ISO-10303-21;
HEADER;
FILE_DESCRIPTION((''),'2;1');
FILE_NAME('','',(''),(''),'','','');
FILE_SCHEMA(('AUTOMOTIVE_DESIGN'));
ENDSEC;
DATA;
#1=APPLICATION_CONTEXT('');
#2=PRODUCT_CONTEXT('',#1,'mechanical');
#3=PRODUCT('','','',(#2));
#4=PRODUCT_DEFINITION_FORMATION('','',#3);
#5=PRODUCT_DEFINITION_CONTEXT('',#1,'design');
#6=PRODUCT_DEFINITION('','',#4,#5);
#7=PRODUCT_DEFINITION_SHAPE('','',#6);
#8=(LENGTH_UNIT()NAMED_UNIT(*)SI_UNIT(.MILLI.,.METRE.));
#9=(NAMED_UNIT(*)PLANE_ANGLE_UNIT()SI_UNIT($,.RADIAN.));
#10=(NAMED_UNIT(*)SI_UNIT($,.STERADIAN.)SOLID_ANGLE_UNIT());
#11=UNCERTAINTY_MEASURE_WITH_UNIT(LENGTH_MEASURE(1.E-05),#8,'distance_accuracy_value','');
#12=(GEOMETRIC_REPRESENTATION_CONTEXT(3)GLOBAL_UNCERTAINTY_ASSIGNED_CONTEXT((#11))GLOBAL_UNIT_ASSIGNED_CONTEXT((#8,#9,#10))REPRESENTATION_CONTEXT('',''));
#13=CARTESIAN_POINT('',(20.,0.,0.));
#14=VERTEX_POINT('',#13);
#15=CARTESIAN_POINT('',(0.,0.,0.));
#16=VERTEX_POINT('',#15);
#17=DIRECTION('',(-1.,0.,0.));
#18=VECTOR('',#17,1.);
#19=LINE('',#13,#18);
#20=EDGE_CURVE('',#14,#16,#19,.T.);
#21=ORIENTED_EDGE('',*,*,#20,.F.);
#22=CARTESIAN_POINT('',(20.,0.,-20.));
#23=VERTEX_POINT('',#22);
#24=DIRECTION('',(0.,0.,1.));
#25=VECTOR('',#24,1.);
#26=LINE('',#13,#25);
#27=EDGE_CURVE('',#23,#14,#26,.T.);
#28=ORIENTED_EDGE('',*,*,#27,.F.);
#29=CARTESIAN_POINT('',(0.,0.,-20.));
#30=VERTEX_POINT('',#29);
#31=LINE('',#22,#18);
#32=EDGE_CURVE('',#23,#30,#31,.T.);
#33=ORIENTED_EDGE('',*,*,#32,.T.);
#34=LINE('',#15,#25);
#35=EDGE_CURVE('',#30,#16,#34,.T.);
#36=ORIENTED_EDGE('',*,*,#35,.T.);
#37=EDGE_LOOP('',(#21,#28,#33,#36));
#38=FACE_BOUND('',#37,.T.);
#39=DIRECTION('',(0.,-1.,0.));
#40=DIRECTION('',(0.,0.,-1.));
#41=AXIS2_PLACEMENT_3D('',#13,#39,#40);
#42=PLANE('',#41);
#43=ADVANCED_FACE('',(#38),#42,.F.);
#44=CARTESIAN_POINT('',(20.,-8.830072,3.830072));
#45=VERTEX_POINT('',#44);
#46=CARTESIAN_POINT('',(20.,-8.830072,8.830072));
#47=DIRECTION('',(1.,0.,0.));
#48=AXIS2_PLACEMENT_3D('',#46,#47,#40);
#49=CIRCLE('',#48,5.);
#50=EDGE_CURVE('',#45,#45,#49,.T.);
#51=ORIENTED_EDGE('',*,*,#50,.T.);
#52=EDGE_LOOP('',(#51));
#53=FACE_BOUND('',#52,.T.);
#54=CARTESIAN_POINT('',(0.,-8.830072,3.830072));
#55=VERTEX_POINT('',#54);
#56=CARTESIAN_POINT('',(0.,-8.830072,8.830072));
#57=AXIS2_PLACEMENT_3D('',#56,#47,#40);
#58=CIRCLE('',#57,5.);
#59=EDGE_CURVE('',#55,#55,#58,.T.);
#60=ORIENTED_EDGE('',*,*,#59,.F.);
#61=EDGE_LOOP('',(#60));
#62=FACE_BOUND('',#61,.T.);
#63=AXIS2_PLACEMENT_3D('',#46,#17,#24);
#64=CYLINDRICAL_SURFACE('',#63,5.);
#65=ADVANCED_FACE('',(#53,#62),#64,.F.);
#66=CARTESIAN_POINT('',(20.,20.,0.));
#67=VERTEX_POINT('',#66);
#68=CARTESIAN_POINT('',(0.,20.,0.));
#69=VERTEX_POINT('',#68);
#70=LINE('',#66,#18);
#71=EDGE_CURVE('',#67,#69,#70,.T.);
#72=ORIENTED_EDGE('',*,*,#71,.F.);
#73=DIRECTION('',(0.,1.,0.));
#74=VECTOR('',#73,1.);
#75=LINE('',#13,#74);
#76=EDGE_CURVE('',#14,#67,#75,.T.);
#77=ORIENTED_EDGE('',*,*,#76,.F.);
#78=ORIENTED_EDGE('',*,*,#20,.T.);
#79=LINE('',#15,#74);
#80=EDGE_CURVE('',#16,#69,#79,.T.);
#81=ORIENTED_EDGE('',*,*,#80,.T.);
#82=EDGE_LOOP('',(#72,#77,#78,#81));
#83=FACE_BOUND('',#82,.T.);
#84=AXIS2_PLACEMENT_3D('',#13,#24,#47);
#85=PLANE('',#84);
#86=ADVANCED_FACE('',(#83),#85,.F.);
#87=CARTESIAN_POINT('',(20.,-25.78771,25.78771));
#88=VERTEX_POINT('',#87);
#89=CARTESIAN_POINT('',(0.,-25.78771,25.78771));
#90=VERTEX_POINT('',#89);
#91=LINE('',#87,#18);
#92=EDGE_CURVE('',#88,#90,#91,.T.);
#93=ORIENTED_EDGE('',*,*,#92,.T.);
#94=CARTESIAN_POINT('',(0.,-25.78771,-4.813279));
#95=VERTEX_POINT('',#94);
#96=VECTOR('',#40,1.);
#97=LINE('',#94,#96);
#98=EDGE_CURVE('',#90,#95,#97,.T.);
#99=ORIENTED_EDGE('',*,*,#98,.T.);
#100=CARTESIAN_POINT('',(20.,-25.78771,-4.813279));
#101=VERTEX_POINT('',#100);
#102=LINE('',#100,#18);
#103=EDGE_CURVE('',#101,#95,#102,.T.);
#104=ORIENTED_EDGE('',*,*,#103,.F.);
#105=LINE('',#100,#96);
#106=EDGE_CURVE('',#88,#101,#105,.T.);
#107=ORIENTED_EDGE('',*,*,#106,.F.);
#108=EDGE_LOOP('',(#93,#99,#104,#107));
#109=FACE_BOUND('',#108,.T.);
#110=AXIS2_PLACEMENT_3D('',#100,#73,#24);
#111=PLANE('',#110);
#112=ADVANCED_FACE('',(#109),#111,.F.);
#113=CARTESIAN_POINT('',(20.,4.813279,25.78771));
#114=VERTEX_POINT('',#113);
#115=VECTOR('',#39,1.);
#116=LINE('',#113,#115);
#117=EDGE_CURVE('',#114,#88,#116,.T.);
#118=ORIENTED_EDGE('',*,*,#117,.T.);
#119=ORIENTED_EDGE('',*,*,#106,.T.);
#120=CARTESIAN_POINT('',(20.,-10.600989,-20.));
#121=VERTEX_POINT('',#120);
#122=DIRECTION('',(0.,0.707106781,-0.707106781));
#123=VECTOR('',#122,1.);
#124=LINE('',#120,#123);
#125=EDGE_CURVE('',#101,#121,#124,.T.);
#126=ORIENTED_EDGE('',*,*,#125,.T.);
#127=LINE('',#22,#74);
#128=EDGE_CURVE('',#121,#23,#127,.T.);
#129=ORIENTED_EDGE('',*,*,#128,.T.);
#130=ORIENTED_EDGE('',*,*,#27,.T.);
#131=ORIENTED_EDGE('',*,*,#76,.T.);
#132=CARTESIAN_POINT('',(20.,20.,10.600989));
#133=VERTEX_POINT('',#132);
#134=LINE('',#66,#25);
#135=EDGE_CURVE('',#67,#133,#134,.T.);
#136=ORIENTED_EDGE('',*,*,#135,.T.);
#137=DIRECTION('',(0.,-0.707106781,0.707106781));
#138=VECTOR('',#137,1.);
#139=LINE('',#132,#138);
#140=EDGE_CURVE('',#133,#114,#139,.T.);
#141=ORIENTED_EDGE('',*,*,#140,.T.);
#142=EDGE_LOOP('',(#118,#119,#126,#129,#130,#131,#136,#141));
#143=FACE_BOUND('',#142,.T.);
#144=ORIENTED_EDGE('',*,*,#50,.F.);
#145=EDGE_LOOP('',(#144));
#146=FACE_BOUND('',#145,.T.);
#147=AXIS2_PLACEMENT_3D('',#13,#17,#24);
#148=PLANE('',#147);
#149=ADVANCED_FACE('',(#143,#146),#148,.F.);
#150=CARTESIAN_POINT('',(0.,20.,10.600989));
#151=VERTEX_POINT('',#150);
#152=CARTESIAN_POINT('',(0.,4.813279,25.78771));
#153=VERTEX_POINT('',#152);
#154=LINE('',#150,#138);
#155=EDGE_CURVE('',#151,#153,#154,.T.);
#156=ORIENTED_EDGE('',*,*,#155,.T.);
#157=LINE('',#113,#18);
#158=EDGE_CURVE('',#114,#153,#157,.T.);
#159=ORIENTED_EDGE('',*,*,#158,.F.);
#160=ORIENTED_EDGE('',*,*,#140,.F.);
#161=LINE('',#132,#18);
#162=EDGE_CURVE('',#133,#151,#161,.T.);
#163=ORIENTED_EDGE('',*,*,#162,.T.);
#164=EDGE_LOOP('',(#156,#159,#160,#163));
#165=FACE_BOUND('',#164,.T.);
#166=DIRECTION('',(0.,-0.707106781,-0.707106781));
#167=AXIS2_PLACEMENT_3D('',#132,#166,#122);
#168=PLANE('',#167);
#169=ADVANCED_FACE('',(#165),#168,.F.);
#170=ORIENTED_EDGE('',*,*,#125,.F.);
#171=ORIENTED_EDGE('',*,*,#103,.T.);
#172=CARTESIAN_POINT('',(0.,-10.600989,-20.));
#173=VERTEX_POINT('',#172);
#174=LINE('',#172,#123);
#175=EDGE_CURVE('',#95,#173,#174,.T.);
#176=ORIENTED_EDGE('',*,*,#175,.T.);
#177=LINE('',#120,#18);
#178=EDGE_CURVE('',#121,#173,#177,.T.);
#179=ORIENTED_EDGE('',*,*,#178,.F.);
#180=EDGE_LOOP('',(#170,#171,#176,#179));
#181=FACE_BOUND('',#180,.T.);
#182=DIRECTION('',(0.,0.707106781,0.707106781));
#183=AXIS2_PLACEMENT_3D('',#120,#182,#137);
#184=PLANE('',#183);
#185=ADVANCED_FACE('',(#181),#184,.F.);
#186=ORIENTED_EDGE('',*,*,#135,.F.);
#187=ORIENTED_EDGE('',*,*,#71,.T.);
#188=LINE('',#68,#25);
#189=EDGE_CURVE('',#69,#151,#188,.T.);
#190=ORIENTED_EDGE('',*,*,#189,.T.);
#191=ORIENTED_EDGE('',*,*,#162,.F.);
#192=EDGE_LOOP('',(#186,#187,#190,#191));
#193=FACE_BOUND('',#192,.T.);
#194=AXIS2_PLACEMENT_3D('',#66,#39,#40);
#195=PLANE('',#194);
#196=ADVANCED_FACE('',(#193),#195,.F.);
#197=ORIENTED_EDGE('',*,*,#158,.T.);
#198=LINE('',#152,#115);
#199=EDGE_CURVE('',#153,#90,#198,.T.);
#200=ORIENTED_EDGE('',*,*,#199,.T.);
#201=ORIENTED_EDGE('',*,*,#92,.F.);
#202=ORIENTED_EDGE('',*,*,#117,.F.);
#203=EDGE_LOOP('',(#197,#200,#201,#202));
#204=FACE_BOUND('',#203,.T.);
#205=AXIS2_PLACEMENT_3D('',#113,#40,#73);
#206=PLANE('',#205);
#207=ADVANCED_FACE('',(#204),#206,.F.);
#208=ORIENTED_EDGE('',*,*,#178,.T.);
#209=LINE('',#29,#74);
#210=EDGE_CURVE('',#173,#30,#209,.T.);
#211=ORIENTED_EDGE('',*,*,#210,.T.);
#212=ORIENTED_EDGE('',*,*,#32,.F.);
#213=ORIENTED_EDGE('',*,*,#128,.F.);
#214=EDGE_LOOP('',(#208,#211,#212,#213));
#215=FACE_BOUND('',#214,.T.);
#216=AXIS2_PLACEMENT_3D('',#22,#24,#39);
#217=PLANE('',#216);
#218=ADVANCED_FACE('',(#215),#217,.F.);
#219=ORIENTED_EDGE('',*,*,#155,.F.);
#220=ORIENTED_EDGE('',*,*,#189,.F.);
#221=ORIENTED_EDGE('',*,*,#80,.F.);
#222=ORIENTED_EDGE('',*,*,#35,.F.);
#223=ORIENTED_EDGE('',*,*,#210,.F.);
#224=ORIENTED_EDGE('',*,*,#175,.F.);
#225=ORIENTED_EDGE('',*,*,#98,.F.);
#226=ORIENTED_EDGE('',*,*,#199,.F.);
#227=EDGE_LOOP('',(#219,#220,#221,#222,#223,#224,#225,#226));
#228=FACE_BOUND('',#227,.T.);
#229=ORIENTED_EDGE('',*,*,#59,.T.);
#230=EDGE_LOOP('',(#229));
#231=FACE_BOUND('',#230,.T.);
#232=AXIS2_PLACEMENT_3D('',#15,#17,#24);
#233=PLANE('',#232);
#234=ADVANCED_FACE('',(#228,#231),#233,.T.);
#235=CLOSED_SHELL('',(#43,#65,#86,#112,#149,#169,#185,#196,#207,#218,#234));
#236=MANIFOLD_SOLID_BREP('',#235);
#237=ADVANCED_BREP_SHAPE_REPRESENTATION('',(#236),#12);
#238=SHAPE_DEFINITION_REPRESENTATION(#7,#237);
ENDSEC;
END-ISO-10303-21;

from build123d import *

# Parameters (mm, degrees)
SKIZZE1_R                       = 5
AUFSATZ_LINEAR_AUSTRAGEN1_DEPTH = 20


with BuildPart() as part:
    # Skizze1 → Aufsatz-Linear austragen1 (new body)
    with BuildSketch(Plane(origin=(0, 0, 0), x_dir=(0, 0, -1), z_dir=(1, 0, 0))):
        Polygon((0, 0), (0, 20), (-10.600988733, 20), (-25.787709792, 4.813278942), (-25.787709792, -25.787709792), (4.813278942, -25.787709792), (20, -10.600988733), (20, 0), align=None)
        with Locations((-8.83007243, -8.83007243)):
            Circle(SKIZZE1_R, mode=Mode.SUBTRACT)
    extrude(amount=AUFSATZ_LINEAR_AUSTRAGEN1_DEPTH)


solid = part.part
